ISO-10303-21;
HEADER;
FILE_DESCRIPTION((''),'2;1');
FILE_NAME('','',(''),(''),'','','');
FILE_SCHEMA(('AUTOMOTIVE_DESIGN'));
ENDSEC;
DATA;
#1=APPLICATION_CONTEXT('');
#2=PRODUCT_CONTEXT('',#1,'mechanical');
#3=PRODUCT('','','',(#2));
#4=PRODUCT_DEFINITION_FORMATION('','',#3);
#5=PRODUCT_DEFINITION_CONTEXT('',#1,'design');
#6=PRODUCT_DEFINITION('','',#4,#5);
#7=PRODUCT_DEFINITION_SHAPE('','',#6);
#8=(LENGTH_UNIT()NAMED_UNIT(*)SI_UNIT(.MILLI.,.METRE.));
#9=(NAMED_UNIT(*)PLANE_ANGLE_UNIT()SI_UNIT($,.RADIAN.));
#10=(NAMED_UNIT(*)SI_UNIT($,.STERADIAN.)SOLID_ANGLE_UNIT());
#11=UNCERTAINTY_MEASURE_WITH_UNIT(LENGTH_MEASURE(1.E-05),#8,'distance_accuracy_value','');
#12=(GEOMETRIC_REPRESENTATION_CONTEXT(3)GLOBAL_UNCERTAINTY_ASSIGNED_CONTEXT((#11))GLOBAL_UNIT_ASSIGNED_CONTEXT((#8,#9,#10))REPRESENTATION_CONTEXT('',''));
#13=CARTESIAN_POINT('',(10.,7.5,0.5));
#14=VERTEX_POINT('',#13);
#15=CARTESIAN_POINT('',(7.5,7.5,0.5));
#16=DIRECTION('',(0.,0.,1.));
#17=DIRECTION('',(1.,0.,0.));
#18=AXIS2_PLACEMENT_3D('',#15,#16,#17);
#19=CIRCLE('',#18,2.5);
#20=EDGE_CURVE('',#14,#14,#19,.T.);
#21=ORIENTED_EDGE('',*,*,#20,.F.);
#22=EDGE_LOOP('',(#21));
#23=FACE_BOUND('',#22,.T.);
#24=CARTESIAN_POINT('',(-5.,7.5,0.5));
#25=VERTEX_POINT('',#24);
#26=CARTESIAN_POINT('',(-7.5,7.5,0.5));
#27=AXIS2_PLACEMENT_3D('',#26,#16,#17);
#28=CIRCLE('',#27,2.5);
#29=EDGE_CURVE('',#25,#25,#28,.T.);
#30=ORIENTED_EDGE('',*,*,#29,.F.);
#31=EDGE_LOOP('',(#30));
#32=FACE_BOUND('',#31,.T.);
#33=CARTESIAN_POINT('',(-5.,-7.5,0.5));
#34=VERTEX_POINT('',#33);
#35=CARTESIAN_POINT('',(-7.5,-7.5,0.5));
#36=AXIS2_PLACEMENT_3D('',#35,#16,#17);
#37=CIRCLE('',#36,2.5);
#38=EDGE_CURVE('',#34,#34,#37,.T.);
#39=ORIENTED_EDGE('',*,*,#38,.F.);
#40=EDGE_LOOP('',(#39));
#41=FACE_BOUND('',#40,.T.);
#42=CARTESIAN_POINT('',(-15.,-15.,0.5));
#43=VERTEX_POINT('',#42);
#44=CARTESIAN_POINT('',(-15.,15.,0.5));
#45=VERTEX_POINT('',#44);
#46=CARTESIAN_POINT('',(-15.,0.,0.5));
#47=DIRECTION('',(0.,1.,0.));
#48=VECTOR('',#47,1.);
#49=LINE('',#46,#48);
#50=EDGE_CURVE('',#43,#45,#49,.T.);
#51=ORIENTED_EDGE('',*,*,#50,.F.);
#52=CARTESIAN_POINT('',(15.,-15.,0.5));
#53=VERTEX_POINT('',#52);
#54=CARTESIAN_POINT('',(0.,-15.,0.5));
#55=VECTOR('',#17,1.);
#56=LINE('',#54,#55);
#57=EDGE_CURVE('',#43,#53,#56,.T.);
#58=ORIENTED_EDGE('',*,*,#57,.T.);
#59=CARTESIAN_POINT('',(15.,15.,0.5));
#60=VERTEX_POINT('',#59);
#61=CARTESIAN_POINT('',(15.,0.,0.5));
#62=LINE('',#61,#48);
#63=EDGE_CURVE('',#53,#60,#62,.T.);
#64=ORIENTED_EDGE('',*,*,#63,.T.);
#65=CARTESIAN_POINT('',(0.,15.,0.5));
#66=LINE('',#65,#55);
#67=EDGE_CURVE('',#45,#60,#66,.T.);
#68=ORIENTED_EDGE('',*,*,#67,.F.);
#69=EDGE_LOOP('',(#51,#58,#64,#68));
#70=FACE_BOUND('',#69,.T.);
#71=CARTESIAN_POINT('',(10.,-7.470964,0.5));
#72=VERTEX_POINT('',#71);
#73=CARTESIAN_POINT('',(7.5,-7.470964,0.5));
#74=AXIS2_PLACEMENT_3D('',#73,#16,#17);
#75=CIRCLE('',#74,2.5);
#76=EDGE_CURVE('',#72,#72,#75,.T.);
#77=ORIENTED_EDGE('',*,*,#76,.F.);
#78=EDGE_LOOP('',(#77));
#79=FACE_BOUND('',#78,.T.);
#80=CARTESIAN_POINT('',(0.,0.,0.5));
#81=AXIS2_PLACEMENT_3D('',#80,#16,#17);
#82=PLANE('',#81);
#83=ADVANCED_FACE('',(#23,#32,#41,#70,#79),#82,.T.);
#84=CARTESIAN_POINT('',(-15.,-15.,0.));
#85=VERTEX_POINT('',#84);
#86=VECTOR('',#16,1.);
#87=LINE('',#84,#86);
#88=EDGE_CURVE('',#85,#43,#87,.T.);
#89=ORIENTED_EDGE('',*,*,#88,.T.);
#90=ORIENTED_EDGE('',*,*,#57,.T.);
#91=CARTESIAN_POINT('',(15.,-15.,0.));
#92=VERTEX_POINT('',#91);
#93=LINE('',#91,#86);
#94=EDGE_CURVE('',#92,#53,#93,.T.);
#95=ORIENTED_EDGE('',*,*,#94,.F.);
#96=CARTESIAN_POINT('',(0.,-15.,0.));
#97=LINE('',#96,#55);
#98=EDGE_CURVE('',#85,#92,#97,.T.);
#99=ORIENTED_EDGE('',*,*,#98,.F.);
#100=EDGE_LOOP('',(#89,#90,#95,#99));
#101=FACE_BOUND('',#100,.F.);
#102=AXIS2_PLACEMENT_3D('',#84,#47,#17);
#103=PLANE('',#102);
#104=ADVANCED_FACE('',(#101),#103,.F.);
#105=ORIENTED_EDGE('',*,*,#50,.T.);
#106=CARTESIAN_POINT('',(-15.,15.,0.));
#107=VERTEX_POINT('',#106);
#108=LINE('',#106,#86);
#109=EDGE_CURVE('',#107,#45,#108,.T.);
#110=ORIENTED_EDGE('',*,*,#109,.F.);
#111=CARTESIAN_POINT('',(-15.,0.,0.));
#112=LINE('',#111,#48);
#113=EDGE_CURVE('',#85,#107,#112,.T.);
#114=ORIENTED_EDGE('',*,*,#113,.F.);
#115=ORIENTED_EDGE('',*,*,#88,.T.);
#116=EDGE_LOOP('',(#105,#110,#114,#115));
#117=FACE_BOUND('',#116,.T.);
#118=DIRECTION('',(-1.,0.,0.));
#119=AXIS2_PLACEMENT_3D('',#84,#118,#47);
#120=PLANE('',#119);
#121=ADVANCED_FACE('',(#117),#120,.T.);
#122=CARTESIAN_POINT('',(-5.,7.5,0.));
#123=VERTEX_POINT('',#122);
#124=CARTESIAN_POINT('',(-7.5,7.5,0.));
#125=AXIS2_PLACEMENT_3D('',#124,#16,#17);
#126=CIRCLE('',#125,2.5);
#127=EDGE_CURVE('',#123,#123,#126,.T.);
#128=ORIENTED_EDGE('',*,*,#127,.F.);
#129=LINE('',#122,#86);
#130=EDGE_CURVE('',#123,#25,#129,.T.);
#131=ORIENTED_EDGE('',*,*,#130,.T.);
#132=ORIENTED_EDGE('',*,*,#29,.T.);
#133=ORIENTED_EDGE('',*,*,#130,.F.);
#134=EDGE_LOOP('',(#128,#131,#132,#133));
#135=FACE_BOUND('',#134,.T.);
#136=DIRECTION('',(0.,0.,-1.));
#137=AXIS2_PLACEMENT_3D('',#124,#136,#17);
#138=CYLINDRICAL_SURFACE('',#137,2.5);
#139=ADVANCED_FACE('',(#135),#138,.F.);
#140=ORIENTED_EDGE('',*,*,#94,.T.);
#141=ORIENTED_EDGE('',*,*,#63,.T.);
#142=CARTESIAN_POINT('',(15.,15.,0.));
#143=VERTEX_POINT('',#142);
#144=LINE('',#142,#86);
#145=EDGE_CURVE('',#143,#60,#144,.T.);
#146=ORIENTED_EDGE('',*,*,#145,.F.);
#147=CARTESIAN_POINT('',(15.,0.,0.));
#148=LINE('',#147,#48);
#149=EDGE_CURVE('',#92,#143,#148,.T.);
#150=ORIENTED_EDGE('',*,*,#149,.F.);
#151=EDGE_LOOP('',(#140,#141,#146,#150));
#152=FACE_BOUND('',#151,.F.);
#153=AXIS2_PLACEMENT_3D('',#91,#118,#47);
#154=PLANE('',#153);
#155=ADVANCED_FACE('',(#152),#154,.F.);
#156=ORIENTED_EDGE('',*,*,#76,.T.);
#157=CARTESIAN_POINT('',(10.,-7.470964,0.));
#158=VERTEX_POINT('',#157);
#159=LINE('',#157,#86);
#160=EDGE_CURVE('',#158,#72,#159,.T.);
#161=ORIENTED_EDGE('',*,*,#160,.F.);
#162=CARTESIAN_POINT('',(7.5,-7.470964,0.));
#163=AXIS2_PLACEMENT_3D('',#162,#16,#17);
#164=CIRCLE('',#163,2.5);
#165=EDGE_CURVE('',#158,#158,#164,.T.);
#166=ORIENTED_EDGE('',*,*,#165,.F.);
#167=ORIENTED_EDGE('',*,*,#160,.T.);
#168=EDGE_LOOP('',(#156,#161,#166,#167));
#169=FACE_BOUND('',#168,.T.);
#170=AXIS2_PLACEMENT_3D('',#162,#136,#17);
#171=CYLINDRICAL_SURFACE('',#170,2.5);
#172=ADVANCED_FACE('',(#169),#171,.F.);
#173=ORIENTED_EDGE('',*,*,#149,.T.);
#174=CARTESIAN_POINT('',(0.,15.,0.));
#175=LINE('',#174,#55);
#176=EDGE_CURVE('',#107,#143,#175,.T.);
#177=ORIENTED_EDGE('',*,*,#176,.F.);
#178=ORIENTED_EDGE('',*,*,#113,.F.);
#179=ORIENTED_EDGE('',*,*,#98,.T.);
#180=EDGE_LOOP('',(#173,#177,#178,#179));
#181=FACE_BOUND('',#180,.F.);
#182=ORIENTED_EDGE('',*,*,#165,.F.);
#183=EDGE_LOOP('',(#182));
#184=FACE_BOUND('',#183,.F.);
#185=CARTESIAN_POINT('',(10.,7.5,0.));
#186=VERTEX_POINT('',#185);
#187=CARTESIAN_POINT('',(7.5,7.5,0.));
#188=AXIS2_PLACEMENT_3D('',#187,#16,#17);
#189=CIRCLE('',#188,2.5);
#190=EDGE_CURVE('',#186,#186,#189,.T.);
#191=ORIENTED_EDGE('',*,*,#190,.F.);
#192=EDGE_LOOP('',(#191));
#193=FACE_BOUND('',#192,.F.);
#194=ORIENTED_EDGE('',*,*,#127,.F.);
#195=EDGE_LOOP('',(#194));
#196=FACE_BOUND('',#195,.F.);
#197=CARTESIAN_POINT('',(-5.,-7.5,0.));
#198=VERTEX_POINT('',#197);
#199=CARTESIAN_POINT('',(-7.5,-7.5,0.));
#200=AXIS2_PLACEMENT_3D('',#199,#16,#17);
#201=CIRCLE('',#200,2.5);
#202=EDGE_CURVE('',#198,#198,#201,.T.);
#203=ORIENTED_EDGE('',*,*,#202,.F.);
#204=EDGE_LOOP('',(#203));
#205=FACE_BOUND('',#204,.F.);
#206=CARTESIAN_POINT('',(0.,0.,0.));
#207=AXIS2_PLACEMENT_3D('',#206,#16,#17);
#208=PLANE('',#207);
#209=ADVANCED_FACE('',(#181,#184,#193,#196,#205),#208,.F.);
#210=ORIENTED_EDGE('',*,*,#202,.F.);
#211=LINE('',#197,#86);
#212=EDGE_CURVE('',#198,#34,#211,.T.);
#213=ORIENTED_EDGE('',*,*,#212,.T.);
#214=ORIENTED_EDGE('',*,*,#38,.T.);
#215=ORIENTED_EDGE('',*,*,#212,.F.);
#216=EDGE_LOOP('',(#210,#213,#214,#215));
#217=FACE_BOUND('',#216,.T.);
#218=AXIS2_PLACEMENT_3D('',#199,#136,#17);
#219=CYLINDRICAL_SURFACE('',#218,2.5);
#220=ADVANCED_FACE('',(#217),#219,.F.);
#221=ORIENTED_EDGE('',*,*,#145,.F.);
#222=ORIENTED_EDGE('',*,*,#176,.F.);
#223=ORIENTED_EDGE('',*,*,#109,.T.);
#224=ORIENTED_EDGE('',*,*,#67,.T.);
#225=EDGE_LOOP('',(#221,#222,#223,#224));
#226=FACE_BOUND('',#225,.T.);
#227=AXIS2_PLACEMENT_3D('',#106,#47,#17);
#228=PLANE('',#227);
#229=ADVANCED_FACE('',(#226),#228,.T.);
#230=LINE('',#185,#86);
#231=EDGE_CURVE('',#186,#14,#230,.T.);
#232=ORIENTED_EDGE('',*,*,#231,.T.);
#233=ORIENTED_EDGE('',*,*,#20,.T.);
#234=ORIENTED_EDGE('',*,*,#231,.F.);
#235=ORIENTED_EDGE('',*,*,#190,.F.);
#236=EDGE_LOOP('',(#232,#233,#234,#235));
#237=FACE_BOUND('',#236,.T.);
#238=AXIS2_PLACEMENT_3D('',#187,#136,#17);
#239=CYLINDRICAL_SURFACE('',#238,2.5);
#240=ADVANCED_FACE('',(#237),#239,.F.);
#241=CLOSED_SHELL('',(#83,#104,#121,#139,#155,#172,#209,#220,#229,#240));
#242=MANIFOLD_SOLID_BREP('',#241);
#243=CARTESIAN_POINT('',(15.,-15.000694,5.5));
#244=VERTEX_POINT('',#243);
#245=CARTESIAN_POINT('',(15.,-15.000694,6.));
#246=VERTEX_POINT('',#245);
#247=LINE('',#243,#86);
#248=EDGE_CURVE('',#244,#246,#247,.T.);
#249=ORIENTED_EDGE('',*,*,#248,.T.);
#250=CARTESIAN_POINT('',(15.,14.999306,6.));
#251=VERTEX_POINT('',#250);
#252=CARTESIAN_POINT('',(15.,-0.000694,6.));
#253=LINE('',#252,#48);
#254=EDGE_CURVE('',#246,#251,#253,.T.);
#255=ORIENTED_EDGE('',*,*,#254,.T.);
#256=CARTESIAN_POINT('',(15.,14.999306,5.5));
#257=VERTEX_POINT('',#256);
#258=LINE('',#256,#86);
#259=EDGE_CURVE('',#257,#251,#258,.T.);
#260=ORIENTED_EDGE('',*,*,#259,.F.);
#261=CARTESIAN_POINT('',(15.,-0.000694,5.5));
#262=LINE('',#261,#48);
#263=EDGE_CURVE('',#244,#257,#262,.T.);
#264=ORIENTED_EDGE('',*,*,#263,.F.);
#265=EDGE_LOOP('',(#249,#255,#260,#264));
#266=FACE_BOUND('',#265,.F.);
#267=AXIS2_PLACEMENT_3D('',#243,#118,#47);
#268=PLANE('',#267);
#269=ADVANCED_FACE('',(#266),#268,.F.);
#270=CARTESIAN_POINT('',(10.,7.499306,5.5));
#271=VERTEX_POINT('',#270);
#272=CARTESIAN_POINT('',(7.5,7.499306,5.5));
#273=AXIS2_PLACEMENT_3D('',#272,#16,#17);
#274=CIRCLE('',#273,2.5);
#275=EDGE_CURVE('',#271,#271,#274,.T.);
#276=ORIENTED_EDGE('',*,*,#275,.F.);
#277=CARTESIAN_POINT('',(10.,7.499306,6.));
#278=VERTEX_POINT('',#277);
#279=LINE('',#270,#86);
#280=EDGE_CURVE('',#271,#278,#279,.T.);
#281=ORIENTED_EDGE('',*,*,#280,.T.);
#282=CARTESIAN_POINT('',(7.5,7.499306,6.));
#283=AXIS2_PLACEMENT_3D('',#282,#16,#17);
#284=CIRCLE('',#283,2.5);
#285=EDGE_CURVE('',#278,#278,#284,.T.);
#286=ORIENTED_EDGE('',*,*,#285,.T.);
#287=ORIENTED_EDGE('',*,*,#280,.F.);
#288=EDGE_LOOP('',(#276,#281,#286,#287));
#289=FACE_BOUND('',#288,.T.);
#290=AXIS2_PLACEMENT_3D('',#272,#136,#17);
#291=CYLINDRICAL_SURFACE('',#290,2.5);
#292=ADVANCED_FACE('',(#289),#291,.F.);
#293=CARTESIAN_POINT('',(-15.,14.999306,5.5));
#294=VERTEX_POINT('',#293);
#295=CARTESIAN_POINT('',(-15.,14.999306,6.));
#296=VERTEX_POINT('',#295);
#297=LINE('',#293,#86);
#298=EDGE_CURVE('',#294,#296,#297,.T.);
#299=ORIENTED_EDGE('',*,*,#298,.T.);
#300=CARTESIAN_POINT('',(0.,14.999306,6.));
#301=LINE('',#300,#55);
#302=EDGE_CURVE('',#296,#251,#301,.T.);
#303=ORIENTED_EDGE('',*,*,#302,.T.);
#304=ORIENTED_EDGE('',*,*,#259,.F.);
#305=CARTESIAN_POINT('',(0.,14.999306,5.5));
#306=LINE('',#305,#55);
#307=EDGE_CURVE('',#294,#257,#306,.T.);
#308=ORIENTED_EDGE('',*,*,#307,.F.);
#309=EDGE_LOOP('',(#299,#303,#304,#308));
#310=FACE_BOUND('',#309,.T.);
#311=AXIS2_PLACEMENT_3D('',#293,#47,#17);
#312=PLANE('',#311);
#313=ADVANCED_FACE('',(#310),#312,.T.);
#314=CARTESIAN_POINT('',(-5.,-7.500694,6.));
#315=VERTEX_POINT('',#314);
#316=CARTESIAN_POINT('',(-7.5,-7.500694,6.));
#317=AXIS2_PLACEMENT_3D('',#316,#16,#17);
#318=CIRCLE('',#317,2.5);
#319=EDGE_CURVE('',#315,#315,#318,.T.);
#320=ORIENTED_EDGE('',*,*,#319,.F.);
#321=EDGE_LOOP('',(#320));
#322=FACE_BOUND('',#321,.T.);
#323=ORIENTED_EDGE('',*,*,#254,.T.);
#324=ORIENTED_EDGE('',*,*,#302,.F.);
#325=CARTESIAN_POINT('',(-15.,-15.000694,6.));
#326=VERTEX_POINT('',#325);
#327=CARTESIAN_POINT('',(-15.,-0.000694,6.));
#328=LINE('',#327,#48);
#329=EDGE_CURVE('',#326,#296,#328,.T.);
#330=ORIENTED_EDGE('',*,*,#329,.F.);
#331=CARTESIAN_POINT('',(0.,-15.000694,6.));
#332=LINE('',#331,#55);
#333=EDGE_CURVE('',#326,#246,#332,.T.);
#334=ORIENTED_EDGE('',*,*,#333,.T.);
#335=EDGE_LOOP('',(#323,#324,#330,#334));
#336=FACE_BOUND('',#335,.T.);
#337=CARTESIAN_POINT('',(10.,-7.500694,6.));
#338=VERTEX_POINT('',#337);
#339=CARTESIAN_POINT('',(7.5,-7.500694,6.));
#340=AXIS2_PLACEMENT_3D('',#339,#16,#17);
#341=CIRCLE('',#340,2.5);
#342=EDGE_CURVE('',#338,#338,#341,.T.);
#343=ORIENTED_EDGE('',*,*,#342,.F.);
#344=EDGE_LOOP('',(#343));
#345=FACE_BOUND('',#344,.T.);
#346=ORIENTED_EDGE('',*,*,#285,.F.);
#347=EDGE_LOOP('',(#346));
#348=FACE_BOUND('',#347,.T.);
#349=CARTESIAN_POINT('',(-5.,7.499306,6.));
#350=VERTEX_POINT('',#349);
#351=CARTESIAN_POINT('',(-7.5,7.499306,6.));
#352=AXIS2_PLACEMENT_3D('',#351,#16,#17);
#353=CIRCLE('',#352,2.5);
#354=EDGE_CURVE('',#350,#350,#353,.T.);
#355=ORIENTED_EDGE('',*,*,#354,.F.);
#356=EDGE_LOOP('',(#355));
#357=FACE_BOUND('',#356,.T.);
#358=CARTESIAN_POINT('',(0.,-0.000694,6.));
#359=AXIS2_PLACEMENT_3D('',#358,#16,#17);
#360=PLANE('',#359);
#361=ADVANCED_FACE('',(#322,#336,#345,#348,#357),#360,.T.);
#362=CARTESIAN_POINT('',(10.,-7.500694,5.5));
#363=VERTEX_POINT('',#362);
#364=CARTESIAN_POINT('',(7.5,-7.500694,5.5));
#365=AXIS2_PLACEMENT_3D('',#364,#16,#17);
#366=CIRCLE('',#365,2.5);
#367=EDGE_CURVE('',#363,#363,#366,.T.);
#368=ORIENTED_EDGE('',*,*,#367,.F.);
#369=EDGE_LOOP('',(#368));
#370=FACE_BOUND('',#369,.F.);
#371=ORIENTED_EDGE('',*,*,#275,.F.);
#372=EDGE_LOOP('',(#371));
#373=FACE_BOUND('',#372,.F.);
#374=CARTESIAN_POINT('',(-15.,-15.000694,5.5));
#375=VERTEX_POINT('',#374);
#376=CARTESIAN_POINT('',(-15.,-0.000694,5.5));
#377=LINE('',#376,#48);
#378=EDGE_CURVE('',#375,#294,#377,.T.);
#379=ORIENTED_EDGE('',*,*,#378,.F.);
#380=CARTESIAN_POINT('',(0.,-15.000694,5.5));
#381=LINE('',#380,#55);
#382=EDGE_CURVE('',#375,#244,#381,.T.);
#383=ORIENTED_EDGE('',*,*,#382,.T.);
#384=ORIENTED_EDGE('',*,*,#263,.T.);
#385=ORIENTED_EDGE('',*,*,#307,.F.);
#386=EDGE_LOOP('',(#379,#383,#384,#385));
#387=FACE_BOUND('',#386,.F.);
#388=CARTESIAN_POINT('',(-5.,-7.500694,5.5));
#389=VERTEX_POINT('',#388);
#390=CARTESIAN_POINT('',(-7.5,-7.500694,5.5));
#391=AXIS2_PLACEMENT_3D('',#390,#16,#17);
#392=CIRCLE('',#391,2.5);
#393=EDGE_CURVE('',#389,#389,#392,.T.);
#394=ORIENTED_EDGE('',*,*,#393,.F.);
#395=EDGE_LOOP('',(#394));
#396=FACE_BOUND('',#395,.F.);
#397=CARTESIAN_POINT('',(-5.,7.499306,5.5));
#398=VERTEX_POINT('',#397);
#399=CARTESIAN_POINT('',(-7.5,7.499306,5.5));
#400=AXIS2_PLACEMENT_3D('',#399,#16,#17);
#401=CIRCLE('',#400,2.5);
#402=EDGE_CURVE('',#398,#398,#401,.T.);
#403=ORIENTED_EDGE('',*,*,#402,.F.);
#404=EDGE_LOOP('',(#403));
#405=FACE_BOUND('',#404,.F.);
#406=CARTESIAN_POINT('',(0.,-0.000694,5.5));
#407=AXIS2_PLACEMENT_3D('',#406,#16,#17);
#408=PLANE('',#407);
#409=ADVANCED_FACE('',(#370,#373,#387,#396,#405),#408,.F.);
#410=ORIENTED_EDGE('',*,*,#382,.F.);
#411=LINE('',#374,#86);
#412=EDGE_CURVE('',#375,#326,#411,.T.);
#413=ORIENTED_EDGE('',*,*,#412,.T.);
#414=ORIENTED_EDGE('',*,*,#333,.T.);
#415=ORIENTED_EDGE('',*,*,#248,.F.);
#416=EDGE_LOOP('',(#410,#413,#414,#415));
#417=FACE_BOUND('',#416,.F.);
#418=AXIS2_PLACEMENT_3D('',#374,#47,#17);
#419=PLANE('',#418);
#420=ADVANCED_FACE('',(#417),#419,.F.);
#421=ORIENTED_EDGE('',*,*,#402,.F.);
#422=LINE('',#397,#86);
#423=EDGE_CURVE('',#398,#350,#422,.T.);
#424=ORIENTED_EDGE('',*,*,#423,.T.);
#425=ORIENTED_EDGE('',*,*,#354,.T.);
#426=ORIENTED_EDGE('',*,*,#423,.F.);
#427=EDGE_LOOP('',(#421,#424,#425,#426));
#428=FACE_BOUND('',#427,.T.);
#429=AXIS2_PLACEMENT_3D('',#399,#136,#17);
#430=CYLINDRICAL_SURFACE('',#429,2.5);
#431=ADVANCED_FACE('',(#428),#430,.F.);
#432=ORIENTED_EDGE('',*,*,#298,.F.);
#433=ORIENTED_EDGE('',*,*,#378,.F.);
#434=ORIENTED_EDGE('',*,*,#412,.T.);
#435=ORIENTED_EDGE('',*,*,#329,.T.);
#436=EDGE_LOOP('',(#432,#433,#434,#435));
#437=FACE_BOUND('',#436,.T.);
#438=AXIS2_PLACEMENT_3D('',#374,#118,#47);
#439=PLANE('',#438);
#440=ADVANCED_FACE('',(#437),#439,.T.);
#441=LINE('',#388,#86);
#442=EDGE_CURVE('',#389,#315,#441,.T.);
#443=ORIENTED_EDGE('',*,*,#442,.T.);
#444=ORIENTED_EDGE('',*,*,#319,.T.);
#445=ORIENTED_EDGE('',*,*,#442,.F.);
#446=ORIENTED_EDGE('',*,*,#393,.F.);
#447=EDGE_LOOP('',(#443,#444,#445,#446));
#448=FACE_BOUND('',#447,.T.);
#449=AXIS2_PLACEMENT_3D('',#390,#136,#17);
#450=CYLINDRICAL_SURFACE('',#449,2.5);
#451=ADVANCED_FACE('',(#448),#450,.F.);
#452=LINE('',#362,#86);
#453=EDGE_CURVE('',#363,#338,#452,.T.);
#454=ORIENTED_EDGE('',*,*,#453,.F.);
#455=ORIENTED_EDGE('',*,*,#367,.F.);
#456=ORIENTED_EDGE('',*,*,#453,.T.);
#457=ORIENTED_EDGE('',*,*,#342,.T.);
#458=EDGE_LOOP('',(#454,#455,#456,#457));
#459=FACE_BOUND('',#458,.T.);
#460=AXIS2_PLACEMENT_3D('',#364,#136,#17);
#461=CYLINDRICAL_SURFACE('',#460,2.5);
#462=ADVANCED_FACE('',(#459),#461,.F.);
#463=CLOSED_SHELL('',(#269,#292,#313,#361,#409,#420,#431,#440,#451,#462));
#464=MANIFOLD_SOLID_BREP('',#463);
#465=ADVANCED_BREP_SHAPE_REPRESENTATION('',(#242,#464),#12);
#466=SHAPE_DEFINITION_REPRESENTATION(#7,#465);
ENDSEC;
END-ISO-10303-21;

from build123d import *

# Parameters (mm, degrees)
F0_W     = 30
F0_H     = 30
F0_R     = 2.5
F1_DEPTH = 0.5
F3_W     = 30
F3_H     = 30
F3_R     = 2.5
F4_DEPTH = 0.5


with BuildPart() as f1:
    # F0 (on Top) → F1 (new body)
    with BuildSketch(Plane.XY):
        Rectangle(F0_W, F0_H)
        with Locations((-7.5, -7.5)):
            Circle(F0_R, mode=Mode.SUBTRACT)
        with Locations((7.5, -7.470964)):
            Circle(F0_R, mode=Mode.SUBTRACT)
        with Locations((-7.5, 7.5)):
            Circle(F0_R, mode=Mode.SUBTRACT)
        with Locations((7.5, 7.5)):
            Circle(F0_R, mode=Mode.SUBTRACT)
    extrude(amount=F1_DEPTH)


with BuildPart() as f4:
    # F3 (on offset) → F4 (new body)
    with BuildSketch(Plane(origin=(0, -0.000694, 5.5), x_dir=(1, 0, 0), z_dir=(0, 0, 1))):
        Rectangle(F3_W, F3_H)
        with Locations((-7.5, -7.5)):
            Circle(F3_R, mode=Mode.SUBTRACT)
        with Locations((7.5, -7.5)):
            Circle(F3_R, mode=Mode.SUBTRACT)
        with Locations((-7.5, 7.5)):
            Circle(F3_R, mode=Mode.SUBTRACT)
        with Locations((7.5, 7.5)):
            Circle(F3_R, mode=Mode.SUBTRACT)
    extrude(amount=F4_DEPTH)


solid = Compound([f1.part, f4.part])
